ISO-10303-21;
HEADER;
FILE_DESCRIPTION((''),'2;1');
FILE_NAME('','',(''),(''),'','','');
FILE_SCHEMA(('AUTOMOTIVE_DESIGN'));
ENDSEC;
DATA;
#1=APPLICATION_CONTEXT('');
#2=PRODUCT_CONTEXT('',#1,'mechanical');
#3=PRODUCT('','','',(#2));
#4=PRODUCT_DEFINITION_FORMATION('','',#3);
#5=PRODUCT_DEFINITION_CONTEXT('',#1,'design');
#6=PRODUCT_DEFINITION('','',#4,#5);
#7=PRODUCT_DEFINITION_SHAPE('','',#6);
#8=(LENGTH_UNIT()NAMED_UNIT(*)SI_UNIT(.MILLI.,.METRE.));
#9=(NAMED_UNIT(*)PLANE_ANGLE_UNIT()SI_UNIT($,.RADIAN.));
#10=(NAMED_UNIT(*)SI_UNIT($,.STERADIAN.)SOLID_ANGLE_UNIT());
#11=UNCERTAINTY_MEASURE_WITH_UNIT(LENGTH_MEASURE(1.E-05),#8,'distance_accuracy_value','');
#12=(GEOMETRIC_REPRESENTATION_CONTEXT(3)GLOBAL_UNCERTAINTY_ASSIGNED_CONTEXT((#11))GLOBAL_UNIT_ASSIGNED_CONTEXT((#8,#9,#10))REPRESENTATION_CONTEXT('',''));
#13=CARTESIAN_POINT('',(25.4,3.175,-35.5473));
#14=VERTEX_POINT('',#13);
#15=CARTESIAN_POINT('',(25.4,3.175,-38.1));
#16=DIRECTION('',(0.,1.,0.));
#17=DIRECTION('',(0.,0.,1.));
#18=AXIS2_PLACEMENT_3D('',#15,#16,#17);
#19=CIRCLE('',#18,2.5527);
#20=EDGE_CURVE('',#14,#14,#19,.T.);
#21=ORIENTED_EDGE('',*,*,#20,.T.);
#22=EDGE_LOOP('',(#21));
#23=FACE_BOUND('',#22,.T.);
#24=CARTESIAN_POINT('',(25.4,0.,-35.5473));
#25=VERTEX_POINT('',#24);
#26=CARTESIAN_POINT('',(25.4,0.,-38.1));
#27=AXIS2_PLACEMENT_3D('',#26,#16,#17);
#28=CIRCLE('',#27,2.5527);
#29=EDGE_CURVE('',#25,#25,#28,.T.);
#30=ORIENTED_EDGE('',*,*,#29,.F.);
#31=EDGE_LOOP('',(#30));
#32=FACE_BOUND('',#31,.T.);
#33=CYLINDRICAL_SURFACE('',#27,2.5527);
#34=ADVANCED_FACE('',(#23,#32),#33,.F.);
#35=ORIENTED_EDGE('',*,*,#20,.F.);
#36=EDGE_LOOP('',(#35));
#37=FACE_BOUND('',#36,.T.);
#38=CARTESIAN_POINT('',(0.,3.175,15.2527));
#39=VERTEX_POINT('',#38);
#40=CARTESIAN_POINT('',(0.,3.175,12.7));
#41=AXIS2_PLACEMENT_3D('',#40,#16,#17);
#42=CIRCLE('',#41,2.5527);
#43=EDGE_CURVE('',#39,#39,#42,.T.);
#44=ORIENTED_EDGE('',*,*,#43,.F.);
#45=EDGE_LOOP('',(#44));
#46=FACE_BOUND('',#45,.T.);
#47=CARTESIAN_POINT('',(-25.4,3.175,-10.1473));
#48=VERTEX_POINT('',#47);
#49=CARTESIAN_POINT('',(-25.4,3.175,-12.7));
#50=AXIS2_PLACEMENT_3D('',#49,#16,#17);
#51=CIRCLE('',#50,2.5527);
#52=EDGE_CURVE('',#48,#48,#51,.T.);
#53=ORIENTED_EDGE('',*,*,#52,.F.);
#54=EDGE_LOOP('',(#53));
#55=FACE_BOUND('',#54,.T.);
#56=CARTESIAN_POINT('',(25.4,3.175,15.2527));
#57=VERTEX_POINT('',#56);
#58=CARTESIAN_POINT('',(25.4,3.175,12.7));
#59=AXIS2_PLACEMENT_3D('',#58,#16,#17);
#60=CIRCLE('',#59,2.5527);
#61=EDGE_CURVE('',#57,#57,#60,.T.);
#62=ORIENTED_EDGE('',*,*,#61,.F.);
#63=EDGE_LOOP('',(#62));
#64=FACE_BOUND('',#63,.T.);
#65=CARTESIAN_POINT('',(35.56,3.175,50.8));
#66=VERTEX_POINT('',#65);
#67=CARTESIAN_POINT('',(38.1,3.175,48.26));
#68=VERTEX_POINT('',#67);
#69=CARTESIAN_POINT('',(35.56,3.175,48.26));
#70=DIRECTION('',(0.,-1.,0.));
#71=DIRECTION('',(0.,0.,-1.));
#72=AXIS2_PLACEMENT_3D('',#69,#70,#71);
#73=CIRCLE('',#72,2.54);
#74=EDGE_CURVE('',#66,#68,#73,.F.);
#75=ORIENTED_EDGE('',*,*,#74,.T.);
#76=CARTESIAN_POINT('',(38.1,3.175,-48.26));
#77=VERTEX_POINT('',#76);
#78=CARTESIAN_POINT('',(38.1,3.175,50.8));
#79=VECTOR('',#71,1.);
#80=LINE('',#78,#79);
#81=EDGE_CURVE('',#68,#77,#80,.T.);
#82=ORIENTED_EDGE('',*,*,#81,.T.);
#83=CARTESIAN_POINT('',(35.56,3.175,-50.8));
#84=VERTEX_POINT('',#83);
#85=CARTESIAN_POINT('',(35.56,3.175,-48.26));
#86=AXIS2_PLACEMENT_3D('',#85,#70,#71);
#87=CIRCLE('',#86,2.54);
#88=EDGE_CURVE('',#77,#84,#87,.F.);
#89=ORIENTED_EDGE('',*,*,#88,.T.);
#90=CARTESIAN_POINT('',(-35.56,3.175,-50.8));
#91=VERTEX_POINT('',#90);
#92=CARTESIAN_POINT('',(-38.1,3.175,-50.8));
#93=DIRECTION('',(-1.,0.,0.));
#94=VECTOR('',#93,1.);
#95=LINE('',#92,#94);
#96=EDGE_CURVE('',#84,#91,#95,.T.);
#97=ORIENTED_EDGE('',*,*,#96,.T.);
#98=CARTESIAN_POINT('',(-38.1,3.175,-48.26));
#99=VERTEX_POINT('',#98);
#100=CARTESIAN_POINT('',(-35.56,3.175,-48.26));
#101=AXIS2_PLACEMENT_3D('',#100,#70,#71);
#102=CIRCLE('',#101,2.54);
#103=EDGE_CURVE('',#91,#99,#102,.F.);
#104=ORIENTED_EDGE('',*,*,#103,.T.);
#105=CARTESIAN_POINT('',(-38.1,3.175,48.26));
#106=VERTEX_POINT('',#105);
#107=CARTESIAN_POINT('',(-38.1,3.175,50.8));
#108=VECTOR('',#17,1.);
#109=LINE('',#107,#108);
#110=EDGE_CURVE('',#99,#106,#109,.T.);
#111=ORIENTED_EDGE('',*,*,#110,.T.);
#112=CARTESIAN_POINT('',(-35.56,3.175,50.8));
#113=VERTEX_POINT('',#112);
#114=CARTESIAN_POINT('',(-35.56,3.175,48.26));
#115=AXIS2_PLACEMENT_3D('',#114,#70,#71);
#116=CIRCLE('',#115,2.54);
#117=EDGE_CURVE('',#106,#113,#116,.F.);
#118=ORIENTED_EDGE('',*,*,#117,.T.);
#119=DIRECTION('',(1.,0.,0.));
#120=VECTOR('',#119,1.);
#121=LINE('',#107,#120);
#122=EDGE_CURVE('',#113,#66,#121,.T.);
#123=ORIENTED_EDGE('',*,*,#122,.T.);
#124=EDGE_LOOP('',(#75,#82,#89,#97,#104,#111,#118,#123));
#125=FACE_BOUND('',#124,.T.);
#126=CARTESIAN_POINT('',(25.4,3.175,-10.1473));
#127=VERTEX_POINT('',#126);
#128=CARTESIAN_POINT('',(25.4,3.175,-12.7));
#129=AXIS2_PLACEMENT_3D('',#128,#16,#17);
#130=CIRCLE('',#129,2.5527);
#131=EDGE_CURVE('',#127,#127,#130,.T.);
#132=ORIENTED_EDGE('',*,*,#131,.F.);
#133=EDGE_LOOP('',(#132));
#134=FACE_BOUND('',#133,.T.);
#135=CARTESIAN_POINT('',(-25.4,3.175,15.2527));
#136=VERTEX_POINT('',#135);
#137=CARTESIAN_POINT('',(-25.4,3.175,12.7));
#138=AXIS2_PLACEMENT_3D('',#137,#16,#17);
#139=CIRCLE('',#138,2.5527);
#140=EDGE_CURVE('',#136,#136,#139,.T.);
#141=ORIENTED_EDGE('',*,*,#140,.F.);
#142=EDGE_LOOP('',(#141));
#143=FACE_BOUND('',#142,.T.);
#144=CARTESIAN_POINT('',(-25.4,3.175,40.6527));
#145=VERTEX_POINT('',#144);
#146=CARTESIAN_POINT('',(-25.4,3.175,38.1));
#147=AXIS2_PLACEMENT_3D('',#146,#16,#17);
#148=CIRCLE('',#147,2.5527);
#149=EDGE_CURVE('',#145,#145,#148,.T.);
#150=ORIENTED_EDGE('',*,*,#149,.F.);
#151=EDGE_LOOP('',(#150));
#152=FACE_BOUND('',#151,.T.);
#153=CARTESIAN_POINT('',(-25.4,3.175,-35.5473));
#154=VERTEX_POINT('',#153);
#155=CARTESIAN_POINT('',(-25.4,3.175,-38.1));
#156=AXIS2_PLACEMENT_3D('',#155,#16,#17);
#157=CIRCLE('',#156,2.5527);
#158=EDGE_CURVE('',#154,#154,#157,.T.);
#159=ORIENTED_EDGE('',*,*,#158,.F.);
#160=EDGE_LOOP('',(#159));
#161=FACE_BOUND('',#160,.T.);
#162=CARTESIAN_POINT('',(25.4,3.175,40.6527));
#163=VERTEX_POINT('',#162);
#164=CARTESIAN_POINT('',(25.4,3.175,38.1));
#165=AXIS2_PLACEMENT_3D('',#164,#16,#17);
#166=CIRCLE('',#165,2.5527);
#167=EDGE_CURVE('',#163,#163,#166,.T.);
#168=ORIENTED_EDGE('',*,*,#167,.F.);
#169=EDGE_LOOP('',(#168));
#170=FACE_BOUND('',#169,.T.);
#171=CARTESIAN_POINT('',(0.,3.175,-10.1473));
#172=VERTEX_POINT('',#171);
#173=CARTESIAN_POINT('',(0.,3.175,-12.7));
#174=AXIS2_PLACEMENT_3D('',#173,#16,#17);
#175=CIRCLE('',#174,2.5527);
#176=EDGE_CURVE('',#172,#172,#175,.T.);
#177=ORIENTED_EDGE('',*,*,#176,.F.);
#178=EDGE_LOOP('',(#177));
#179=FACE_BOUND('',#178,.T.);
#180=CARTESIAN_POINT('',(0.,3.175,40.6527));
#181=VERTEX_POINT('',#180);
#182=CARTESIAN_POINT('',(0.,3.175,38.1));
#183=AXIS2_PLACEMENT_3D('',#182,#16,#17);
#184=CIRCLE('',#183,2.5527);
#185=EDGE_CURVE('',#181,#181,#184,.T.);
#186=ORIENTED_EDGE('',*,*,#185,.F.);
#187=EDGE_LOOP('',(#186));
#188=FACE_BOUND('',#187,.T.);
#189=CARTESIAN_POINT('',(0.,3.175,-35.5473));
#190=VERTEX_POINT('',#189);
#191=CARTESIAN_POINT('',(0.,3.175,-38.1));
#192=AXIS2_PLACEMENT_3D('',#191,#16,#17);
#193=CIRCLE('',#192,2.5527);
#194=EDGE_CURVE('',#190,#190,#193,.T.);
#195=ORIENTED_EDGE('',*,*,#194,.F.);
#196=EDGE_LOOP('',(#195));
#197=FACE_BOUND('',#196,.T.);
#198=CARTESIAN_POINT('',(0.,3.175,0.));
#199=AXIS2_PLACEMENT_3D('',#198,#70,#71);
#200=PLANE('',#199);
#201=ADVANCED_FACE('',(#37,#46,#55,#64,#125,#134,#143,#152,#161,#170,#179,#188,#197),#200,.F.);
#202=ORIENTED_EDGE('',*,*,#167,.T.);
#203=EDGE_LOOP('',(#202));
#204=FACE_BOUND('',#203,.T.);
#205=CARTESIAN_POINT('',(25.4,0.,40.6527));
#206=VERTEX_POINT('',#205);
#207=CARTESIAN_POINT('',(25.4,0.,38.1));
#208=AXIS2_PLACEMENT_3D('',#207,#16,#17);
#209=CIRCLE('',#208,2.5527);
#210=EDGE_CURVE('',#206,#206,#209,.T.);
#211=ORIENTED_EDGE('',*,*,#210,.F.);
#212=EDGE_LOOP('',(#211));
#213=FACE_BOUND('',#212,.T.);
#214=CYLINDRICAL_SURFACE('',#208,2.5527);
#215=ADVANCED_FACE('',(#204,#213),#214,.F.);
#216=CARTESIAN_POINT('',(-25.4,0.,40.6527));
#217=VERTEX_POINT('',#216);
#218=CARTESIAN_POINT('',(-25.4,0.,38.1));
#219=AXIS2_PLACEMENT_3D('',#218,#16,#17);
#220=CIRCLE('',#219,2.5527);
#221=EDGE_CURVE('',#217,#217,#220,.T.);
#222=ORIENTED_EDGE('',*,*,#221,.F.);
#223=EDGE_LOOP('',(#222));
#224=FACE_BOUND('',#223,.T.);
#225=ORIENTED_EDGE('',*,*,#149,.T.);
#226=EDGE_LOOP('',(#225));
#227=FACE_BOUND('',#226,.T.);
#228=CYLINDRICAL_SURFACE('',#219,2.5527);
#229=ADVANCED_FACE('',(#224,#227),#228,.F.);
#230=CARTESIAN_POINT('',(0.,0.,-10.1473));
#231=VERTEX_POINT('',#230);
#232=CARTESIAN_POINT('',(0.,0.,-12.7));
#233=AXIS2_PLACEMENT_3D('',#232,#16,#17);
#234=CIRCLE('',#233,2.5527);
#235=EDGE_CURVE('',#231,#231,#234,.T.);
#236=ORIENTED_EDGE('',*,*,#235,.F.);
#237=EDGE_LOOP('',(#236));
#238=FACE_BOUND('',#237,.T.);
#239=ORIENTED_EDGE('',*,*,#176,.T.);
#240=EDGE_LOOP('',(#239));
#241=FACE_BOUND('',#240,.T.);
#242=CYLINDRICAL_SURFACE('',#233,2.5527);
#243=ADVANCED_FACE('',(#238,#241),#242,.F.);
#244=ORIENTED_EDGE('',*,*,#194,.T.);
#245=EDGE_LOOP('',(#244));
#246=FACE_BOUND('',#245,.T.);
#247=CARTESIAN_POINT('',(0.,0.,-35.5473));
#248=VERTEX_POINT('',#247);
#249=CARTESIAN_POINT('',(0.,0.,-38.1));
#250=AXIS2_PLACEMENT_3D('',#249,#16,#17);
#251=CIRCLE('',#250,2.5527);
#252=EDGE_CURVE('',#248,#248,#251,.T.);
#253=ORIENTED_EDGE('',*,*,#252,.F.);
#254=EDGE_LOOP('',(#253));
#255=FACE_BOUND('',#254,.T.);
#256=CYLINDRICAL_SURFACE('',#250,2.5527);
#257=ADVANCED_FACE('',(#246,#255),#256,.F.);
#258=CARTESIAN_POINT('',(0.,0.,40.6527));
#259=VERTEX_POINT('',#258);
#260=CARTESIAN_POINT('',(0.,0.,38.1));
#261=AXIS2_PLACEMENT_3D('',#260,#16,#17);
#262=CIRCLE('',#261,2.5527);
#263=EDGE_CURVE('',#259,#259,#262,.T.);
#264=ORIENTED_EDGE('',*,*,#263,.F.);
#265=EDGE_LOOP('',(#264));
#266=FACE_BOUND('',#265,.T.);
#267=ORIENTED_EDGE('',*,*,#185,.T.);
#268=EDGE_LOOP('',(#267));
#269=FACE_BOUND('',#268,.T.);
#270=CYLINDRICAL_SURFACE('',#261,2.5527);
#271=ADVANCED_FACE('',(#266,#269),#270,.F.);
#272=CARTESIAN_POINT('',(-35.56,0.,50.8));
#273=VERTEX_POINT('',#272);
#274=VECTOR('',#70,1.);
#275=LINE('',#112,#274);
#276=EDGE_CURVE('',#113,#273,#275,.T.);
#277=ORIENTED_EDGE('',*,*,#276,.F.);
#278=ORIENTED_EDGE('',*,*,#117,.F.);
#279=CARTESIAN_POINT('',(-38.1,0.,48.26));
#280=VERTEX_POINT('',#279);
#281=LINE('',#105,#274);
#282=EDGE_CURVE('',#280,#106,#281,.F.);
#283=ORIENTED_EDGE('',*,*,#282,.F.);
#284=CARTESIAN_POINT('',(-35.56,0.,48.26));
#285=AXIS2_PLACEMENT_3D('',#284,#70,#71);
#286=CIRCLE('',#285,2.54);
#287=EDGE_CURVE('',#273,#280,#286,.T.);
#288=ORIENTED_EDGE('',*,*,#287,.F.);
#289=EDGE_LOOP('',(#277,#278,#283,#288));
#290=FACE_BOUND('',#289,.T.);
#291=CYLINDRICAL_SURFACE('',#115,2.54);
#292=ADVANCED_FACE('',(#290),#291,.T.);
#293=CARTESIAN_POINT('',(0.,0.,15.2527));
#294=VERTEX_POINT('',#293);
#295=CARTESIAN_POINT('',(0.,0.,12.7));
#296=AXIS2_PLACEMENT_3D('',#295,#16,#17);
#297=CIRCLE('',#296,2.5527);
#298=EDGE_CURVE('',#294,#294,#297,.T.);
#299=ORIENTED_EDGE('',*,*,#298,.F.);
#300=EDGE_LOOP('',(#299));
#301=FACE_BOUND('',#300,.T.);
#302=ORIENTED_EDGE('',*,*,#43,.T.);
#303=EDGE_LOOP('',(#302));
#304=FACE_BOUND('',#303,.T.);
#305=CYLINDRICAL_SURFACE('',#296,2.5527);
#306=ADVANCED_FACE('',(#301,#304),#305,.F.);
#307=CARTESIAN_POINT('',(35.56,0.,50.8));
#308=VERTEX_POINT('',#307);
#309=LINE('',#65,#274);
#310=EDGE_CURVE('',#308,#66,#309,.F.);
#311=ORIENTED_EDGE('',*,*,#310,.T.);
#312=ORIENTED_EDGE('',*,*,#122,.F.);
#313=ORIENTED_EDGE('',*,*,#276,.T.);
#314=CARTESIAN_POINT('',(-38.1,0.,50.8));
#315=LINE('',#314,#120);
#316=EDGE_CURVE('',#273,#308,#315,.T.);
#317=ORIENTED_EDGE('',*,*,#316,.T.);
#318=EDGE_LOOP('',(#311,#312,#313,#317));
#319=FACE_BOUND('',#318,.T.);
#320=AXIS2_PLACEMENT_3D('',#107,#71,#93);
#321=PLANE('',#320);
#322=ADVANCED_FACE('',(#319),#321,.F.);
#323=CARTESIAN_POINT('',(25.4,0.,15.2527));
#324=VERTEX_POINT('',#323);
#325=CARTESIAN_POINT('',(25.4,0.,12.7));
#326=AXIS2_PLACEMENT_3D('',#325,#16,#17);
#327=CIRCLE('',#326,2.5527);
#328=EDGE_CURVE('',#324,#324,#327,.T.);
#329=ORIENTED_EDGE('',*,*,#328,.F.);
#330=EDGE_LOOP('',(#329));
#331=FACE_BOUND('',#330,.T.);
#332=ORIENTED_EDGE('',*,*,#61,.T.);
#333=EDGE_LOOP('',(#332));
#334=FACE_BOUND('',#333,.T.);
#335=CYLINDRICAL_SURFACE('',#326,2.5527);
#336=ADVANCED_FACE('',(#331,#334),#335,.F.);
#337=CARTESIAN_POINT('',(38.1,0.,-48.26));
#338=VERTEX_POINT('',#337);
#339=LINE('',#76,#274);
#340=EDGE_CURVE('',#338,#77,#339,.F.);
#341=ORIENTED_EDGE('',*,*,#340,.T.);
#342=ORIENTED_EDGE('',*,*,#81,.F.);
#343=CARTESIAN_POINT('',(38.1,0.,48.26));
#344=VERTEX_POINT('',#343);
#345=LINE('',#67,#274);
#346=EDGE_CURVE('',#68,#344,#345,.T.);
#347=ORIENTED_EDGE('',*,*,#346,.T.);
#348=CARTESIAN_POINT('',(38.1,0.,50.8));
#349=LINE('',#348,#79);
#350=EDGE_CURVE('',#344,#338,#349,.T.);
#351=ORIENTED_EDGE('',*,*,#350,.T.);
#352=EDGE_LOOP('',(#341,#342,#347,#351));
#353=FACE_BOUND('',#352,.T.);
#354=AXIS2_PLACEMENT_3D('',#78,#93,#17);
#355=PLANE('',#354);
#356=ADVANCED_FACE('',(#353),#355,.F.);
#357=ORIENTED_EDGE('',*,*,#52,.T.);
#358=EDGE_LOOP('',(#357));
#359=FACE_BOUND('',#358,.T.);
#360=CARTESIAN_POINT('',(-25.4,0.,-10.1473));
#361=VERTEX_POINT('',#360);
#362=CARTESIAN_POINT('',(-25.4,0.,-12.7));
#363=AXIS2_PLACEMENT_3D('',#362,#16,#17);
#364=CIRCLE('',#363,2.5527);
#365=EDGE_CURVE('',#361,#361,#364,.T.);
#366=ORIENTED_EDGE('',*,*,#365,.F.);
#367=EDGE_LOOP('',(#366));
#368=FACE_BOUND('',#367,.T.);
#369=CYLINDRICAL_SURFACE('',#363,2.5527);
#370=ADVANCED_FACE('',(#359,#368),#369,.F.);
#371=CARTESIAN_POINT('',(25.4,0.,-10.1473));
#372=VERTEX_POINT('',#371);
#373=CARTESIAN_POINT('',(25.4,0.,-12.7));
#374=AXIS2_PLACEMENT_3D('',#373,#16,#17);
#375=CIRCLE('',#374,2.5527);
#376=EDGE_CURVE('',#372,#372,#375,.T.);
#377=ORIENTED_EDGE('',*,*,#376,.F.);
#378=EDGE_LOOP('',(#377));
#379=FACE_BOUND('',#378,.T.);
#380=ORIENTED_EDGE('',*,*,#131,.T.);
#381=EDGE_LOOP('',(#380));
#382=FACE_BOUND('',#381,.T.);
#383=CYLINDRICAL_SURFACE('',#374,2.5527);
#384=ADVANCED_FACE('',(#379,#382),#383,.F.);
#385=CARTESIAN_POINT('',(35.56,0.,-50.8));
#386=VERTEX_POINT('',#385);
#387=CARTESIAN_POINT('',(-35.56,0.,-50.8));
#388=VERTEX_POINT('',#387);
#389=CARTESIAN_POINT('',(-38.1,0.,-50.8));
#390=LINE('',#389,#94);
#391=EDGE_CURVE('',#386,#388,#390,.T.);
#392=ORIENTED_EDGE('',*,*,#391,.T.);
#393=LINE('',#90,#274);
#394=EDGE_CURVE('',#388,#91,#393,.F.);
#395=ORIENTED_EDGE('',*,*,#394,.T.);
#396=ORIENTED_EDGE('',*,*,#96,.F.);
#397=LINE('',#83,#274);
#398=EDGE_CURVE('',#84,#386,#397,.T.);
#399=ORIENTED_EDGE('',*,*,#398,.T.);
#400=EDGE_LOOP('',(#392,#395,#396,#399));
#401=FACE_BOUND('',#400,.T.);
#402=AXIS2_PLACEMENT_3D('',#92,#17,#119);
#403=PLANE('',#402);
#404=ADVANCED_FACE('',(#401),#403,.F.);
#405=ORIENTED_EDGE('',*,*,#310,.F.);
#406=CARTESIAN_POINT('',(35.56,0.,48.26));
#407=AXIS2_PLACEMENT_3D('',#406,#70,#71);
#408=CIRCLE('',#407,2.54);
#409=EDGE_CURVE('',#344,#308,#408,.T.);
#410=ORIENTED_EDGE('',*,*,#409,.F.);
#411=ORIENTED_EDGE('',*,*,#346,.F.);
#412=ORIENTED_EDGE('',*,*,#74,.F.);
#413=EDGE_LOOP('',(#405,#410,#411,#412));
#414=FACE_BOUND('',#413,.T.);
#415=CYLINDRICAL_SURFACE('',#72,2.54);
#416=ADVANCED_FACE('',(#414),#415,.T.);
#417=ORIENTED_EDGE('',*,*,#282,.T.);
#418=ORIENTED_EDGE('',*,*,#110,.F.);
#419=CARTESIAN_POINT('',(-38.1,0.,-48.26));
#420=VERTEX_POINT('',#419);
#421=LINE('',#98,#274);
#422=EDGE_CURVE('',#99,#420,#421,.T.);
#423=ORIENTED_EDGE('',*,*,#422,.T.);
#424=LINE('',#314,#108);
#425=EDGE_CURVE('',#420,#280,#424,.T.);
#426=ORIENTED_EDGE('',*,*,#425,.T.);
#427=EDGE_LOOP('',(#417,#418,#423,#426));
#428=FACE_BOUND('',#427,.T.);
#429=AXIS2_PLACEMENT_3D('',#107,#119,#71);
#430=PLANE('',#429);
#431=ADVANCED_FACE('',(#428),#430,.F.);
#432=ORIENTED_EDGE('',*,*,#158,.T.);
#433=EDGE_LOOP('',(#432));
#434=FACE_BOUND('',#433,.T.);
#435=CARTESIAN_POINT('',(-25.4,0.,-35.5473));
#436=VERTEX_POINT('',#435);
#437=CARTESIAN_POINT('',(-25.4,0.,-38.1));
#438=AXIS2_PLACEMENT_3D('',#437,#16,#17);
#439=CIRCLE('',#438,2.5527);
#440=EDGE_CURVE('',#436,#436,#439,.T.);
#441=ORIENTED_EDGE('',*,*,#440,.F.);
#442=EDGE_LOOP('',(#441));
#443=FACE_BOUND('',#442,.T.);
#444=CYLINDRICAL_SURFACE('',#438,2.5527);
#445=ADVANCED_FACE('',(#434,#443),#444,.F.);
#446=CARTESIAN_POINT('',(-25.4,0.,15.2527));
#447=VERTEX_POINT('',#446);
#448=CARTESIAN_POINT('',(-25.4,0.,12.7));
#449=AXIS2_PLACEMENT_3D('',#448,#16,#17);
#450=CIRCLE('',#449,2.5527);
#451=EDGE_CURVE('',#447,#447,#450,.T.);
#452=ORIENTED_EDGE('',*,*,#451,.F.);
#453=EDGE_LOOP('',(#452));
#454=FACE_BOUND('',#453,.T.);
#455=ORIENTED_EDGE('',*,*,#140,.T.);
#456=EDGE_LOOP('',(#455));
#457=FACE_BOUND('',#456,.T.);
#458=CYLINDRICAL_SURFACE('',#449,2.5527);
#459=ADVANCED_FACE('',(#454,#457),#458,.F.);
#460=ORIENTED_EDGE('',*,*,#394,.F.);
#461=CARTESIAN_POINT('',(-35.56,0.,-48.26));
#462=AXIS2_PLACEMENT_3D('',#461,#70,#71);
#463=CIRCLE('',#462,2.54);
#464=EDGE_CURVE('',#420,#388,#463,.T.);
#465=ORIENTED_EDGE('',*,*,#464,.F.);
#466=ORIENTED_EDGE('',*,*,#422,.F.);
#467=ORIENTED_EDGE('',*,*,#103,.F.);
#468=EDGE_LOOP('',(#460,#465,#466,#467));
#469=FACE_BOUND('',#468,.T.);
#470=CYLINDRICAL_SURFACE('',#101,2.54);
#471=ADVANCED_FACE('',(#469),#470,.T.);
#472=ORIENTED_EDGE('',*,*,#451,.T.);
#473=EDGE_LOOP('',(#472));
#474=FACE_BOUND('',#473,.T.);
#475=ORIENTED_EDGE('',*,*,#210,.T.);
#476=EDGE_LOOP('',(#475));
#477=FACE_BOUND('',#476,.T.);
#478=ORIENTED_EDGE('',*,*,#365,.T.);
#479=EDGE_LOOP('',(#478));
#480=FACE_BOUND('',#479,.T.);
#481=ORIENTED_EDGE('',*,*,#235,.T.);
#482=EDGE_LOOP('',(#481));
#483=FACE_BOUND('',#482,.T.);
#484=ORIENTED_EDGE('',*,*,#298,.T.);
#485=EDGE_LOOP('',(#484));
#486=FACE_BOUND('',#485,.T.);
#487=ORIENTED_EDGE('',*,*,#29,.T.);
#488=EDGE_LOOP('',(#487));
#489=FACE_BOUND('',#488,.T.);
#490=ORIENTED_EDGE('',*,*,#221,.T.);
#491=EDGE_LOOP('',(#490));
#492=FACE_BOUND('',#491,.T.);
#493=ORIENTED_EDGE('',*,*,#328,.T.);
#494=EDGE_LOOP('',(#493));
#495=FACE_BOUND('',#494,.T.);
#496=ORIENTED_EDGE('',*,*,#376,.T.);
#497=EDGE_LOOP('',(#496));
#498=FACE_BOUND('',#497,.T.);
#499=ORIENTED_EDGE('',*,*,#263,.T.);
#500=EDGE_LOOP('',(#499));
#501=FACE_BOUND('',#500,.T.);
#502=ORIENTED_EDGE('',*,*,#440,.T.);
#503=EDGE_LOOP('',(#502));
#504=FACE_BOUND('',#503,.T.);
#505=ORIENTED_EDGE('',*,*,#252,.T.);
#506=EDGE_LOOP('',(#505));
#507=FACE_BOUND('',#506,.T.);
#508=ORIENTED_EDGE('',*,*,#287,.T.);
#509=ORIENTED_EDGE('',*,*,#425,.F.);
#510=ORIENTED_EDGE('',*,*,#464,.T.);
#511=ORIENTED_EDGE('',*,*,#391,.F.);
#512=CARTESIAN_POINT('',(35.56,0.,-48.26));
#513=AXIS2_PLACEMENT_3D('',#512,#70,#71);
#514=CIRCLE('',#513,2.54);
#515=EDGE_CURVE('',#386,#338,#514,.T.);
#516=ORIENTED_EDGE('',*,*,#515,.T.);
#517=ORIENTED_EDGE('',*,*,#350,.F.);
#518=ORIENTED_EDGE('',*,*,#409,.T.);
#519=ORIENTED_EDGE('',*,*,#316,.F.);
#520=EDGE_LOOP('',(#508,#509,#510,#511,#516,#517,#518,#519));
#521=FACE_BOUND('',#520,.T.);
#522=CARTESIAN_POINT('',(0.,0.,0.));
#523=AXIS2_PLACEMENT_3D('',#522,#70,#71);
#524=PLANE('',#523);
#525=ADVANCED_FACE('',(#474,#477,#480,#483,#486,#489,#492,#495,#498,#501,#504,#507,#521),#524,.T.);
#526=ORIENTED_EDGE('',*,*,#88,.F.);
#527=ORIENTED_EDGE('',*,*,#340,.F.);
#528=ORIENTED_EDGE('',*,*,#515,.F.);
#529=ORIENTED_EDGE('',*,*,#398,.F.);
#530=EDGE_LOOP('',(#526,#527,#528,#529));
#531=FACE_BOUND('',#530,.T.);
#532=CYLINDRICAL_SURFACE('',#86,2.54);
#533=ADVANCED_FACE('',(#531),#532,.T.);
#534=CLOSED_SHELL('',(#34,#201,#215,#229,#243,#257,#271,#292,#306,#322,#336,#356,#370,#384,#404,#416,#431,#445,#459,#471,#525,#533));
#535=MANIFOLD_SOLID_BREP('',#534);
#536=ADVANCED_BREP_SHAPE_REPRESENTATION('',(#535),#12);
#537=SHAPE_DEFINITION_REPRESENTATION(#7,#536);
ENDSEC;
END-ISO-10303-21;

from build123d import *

# Parameters (mm, degrees)
SKETCH1_W            = 76.2
SKETCH1_H            = 101.6
BOSS_EXTRUDE1_DEPTH  = 3.175
SKETCH2_R            = 2.5527
CUT_EXTRUDE1_DEPTH   = 3.175
LPATTERN1_COUNT      = 4
LPATTERN1_PITCH      = 25.4
LPATTERN1_COUNT_DIR2 = 3
LPATTERN1_PITCH_DIR2 = 25.4
FILLET1_R            = 2.54


with BuildPart() as part:
    # Sketch1 → Boss-Extrude1 (new body)
    with BuildSketch(Plane(origin=(0, 0, 0), x_dir=(1, 0, 0), z_dir=(0, 1, 0))):
        Rectangle(SKETCH1_W, SKETCH1_H)
    extrude(amount=BOSS_EXTRUDE1_DEPTH)

    # Sketch2 → Cut-Extrude1 (cut)
    with BuildSketch(Plane(origin=(0, 3.175, 0), x_dir=(1, 0, 0), z_dir=(0, 1, 0))):
        with Locations(Location((-25.4, -38.1, 0), (0, 0, 270))):
            Circle(SKETCH2_R)
    cut_extrude1 = extrude(amount=-CUT_EXTRUDE1_DEPTH, mode=Mode.SUBTRACT)

    # LPattern1: Cut-Extrude1 4 × 3
    with Locations(*[(j * LPATTERN1_PITCH_DIR2, 0, -i * LPATTERN1_PITCH) for i in range(LPATTERN1_COUNT) for j in range(LPATTERN1_COUNT_DIR2) if (i, j) != (0, 0)]):
        add(cut_extrude1, mode=Mode.SUBTRACT)

    # Fillet1
    fillet1_edges = [part.edges().sort_by_distance(p)[0] for p in [
        (38.1, 1.5875, 50.8),
        (-38.1, 1.5875, 50.8),
        (-38.1, 1.5875, -50.8),
        (38.1, 1.5875, -50.8),
    ]]
    fillet(fillet1_edges, radius=FILLET1_R)


solid = part.part
